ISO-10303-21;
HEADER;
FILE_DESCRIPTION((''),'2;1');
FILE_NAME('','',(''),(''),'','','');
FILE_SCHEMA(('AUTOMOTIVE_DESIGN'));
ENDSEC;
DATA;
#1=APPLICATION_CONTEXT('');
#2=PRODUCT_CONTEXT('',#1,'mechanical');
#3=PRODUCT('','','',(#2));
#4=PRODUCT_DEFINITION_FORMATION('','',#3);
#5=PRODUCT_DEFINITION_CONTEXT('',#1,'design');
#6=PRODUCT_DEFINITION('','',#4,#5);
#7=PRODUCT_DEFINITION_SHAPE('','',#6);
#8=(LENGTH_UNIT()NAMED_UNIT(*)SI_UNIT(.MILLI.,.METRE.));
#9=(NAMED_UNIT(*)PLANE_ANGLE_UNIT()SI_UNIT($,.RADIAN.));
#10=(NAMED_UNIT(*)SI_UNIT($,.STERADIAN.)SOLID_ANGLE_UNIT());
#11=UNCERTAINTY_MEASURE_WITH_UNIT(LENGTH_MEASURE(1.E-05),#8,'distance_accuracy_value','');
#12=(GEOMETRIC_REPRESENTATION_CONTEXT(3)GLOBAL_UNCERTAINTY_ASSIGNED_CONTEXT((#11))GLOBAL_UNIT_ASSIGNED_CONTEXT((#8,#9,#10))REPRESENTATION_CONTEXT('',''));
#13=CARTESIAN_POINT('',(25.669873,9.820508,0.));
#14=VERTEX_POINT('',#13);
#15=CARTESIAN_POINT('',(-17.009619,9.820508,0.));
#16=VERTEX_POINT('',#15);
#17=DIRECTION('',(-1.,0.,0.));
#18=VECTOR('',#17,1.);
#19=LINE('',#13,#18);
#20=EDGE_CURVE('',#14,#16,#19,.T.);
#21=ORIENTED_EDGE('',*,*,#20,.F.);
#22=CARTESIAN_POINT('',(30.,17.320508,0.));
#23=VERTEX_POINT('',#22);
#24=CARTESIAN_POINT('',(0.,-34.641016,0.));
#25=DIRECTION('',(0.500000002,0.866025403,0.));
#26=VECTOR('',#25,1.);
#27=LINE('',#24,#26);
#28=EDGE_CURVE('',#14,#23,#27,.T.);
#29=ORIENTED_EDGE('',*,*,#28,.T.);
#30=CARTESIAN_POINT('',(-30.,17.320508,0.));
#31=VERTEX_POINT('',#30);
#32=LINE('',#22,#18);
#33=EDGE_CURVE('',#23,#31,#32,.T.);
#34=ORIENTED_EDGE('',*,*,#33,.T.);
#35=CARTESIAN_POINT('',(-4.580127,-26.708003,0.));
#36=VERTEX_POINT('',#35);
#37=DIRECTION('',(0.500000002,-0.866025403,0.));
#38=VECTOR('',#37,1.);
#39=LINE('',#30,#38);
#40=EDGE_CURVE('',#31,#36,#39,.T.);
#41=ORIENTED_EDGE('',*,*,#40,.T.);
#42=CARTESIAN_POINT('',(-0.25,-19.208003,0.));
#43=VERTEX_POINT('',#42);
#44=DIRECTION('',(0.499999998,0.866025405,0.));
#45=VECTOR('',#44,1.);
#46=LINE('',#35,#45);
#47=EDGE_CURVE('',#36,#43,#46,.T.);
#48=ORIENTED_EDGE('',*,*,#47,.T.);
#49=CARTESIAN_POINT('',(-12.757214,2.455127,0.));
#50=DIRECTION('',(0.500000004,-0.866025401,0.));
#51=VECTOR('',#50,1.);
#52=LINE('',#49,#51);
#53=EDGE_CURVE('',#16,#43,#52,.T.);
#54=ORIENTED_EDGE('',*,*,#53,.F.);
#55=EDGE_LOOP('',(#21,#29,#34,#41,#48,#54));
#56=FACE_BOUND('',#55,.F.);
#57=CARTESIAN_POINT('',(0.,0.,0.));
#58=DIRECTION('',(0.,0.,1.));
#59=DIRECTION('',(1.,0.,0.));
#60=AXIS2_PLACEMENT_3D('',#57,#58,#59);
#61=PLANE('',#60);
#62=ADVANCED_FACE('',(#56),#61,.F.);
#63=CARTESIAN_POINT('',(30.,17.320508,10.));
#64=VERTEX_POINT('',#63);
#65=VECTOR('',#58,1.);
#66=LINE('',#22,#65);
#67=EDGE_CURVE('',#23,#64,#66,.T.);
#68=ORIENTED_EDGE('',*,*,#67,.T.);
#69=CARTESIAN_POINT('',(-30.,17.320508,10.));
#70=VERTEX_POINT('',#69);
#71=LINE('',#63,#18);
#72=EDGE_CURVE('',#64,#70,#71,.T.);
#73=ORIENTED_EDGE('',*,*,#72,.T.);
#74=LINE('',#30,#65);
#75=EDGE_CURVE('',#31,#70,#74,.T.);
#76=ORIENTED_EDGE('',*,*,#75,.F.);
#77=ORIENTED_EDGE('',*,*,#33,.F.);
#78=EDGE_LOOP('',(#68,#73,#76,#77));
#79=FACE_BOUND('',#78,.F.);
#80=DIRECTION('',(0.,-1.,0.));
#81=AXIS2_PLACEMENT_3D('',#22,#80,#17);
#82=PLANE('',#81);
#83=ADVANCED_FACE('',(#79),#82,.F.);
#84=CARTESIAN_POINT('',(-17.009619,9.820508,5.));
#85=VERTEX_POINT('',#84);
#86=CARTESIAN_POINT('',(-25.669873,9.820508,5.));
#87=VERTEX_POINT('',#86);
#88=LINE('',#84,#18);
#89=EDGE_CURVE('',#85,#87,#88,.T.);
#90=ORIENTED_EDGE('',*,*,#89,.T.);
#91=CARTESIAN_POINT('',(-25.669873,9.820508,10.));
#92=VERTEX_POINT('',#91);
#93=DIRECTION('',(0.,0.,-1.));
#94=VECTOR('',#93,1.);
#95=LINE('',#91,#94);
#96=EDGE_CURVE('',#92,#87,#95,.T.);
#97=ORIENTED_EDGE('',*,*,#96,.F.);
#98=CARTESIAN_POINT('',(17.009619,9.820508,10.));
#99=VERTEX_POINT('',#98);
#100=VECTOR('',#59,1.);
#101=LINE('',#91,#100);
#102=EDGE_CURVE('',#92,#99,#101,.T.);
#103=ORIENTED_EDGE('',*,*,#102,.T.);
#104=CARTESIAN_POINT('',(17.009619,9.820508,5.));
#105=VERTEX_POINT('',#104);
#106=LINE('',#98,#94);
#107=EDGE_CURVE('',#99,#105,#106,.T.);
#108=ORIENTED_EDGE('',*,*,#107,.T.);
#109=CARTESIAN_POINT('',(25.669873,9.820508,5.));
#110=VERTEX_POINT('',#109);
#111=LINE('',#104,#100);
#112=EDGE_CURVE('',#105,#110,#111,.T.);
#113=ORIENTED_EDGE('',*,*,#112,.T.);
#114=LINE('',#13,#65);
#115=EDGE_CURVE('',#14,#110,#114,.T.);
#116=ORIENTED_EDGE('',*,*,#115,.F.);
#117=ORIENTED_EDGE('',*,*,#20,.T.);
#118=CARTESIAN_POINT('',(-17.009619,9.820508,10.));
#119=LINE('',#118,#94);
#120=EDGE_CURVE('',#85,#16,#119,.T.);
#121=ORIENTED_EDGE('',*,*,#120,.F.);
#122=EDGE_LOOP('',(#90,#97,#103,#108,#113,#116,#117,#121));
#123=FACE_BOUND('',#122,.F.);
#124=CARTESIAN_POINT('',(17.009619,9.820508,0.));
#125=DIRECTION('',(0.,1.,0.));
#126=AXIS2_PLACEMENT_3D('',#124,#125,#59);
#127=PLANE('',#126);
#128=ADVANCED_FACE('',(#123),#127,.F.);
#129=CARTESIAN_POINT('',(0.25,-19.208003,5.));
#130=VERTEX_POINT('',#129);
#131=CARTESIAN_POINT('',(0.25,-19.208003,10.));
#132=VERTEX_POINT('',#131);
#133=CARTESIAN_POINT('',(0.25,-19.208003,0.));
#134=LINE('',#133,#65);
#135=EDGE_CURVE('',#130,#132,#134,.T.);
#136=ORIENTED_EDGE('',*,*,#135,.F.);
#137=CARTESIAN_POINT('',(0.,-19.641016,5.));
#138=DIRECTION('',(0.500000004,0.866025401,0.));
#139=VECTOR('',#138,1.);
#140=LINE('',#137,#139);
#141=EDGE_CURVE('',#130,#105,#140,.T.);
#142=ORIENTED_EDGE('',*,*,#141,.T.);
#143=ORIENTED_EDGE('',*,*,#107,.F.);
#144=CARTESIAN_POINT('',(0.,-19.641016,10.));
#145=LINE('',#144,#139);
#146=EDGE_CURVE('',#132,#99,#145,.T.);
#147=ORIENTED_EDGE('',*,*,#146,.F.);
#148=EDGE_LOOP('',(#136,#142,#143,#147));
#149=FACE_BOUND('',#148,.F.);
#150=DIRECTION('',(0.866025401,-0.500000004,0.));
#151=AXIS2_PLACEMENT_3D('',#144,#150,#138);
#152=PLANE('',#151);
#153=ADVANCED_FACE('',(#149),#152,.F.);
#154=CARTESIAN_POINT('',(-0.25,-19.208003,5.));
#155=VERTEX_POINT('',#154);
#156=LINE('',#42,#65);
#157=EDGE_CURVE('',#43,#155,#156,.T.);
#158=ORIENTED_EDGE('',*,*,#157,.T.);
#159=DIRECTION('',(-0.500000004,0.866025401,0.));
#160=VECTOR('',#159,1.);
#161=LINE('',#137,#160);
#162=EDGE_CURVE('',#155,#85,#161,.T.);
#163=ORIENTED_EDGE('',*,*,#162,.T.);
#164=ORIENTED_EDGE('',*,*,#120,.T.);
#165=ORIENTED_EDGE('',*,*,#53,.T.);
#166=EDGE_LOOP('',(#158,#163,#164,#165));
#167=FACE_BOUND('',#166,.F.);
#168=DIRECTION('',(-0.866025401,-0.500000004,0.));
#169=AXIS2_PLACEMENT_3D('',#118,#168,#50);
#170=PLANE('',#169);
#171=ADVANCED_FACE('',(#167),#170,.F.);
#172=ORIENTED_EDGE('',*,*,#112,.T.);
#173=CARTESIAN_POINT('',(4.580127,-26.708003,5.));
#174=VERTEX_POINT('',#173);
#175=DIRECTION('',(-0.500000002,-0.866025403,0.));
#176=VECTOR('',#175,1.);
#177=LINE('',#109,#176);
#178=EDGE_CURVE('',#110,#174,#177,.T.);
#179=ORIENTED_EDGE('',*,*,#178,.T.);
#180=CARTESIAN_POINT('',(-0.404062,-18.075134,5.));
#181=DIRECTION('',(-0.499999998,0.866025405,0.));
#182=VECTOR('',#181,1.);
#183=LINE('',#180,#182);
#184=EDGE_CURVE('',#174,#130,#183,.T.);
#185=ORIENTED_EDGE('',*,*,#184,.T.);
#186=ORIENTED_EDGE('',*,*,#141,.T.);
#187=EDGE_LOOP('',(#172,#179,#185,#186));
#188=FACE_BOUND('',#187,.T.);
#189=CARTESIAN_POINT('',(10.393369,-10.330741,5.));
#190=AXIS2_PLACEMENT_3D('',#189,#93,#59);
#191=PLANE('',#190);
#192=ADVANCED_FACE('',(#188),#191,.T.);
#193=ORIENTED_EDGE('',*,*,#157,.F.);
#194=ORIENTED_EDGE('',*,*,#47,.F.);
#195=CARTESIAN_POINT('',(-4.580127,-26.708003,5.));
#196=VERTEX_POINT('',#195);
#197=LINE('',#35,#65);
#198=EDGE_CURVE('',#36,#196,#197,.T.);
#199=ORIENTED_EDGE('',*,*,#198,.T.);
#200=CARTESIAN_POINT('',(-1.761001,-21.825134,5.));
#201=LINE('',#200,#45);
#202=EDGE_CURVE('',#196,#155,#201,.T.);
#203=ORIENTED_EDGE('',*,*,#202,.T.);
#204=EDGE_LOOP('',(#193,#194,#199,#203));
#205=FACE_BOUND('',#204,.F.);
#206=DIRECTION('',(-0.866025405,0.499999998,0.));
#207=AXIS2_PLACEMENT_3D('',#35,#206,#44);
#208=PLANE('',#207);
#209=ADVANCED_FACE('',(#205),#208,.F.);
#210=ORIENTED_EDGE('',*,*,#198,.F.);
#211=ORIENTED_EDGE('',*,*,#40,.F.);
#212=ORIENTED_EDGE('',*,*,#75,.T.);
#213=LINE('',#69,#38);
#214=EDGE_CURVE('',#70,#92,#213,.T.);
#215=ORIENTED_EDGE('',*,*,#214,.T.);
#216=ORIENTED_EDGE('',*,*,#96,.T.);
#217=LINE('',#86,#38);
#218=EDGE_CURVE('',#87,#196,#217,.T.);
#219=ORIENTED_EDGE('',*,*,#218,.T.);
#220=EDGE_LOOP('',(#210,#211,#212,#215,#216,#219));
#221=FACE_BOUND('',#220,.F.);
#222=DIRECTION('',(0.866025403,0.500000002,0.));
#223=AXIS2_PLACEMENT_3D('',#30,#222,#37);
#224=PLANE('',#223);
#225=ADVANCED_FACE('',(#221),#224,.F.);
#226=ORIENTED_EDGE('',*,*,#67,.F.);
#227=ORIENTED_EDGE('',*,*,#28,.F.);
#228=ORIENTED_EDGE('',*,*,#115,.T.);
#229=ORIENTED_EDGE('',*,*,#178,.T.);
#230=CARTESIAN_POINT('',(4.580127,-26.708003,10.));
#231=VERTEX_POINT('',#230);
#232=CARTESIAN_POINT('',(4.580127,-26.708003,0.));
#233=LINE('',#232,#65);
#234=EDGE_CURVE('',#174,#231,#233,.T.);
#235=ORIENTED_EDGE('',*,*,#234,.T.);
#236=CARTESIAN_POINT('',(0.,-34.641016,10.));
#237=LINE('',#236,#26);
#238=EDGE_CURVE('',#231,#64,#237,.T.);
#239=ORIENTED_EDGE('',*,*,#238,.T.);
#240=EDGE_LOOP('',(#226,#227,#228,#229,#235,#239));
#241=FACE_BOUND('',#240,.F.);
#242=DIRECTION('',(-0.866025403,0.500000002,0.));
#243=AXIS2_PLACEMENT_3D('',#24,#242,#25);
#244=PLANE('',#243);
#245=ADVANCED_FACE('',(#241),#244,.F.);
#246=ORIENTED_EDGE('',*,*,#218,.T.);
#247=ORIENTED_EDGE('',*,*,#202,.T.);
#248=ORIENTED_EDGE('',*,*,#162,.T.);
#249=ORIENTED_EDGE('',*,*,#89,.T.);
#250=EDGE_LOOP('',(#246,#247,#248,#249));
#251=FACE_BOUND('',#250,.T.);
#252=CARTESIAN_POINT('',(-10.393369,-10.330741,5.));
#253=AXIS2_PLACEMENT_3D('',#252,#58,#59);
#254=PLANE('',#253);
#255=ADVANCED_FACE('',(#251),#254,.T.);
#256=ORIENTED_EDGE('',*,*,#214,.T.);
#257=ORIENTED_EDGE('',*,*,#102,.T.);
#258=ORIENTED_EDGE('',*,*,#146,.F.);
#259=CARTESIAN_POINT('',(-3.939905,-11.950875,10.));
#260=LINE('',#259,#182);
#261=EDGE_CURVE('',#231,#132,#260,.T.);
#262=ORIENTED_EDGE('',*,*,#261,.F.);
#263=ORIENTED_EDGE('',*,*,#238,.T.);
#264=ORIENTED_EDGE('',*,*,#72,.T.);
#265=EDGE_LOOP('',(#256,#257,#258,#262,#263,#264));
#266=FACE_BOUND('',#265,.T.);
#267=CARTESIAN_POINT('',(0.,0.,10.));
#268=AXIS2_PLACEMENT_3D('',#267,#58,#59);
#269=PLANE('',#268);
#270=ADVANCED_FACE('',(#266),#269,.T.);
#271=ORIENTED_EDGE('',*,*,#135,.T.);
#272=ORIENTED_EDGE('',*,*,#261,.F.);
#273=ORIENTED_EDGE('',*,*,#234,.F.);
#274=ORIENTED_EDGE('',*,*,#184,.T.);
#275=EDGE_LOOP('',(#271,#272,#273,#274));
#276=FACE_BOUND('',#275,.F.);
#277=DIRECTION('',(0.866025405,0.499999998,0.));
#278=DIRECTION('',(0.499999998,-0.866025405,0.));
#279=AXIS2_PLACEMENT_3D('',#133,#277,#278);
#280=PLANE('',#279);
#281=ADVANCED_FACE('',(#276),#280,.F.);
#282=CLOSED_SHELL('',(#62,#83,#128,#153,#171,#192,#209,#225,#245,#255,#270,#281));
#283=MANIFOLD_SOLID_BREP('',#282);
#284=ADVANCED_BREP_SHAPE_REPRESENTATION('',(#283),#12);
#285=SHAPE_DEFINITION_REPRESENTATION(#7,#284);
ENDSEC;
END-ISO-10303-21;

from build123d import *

# Parameters (mm, degrees)
F1_DEPTH  = 10
F3_DEPTH  = 10.001
F7_DEPTH  = 10.001
F8_DEPTH  = 10.001
F9_DEPTH  = 5
F10_DEPTH = 5


with BuildPart() as f1:
    # F0 (on Top) → F1 (new body)
    with BuildSketch(Plane.XY):
        Polygon((30, 17.320508), (-30, 17.320508), (0, -34.641016), align=None)
    extrude(amount=F1_DEPTH)

    # F2 (on face) → F3 (cut, through all)
    with BuildSketch(Plane.XY.offset(10)):
        Polygon((17.009619, 9.820508), (-17.009619, 9.820508), (0, -19.641016), align=None)
    extrude(amount=-F3_DEPTH, mode=Mode.SUBTRACT)

    # F6 (on face) → F7 (cut, through all)
    with BuildSketch(Plane(origin=(0, 0, 0), x_dir=(1, 0, 0), z_dir=(0, 0, -1))):
        Polygon((4.330127, 27.141016), (0, 34.641016), (0, 19.641016), (0.25, 19.208003), (4.580127, 26.708003), align=None)
        Polygon((0, 19.641016), (0, 34.641016), (-4.330127, 27.141016), (-4.580127, 26.708003), (-0.25, 19.208003), align=None)
        Polygon((0.25, 19.208003), (0, 19.641016), (-0.25, 19.208003), align=None)
    extrude(amount=-F7_DEPTH, mode=Mode.SUBTRACT)

    # F6 (on face) → F8 (cut, through all)
    with BuildSketch(Plane(origin=(0, 0, 0), x_dir=(1, 0, 0), z_dir=(0, 0, -1))):
        Polygon((4.330127, 27.141016), (0, 34.641016), (0, 19.641016), (0.25, 19.208003), (4.580127, 26.708003), align=None)
        Polygon((0, 19.641016), (0, 34.641016), (-4.330127, 27.141016), (-4.580127, 26.708003), (-0.25, 19.208003), align=None)
        Polygon((0.25, 19.208003), (0, 19.641016), (-0.25, 19.208003), align=None)
    extrude(amount=-F8_DEPTH, mode=Mode.SUBTRACT)

    # F5 (on face) → F9 (cut)
    with BuildSketch(Plane.XY.offset(10)):
        Polygon((0, -34.641016), (0, -19.641016), (-17.009619, 9.820508), (-25.669873, 9.820508), align=None)
    extrude(amount=-F9_DEPTH, mode=Mode.SUBTRACT)

    # F4 (on face) → F10 (cut)
    with BuildSketch(Plane(origin=(0, 0, 0), x_dir=(1, 0, 0), z_dir=(0, 0, -1))):
        Polygon((0, 34.641016), (0, 19.641016), (17.009619, -9.820508), (25.669873, -9.820508), align=None)
    extrude(amount=-F10_DEPTH, mode=Mode.SUBTRACT)


solid = f1.part
